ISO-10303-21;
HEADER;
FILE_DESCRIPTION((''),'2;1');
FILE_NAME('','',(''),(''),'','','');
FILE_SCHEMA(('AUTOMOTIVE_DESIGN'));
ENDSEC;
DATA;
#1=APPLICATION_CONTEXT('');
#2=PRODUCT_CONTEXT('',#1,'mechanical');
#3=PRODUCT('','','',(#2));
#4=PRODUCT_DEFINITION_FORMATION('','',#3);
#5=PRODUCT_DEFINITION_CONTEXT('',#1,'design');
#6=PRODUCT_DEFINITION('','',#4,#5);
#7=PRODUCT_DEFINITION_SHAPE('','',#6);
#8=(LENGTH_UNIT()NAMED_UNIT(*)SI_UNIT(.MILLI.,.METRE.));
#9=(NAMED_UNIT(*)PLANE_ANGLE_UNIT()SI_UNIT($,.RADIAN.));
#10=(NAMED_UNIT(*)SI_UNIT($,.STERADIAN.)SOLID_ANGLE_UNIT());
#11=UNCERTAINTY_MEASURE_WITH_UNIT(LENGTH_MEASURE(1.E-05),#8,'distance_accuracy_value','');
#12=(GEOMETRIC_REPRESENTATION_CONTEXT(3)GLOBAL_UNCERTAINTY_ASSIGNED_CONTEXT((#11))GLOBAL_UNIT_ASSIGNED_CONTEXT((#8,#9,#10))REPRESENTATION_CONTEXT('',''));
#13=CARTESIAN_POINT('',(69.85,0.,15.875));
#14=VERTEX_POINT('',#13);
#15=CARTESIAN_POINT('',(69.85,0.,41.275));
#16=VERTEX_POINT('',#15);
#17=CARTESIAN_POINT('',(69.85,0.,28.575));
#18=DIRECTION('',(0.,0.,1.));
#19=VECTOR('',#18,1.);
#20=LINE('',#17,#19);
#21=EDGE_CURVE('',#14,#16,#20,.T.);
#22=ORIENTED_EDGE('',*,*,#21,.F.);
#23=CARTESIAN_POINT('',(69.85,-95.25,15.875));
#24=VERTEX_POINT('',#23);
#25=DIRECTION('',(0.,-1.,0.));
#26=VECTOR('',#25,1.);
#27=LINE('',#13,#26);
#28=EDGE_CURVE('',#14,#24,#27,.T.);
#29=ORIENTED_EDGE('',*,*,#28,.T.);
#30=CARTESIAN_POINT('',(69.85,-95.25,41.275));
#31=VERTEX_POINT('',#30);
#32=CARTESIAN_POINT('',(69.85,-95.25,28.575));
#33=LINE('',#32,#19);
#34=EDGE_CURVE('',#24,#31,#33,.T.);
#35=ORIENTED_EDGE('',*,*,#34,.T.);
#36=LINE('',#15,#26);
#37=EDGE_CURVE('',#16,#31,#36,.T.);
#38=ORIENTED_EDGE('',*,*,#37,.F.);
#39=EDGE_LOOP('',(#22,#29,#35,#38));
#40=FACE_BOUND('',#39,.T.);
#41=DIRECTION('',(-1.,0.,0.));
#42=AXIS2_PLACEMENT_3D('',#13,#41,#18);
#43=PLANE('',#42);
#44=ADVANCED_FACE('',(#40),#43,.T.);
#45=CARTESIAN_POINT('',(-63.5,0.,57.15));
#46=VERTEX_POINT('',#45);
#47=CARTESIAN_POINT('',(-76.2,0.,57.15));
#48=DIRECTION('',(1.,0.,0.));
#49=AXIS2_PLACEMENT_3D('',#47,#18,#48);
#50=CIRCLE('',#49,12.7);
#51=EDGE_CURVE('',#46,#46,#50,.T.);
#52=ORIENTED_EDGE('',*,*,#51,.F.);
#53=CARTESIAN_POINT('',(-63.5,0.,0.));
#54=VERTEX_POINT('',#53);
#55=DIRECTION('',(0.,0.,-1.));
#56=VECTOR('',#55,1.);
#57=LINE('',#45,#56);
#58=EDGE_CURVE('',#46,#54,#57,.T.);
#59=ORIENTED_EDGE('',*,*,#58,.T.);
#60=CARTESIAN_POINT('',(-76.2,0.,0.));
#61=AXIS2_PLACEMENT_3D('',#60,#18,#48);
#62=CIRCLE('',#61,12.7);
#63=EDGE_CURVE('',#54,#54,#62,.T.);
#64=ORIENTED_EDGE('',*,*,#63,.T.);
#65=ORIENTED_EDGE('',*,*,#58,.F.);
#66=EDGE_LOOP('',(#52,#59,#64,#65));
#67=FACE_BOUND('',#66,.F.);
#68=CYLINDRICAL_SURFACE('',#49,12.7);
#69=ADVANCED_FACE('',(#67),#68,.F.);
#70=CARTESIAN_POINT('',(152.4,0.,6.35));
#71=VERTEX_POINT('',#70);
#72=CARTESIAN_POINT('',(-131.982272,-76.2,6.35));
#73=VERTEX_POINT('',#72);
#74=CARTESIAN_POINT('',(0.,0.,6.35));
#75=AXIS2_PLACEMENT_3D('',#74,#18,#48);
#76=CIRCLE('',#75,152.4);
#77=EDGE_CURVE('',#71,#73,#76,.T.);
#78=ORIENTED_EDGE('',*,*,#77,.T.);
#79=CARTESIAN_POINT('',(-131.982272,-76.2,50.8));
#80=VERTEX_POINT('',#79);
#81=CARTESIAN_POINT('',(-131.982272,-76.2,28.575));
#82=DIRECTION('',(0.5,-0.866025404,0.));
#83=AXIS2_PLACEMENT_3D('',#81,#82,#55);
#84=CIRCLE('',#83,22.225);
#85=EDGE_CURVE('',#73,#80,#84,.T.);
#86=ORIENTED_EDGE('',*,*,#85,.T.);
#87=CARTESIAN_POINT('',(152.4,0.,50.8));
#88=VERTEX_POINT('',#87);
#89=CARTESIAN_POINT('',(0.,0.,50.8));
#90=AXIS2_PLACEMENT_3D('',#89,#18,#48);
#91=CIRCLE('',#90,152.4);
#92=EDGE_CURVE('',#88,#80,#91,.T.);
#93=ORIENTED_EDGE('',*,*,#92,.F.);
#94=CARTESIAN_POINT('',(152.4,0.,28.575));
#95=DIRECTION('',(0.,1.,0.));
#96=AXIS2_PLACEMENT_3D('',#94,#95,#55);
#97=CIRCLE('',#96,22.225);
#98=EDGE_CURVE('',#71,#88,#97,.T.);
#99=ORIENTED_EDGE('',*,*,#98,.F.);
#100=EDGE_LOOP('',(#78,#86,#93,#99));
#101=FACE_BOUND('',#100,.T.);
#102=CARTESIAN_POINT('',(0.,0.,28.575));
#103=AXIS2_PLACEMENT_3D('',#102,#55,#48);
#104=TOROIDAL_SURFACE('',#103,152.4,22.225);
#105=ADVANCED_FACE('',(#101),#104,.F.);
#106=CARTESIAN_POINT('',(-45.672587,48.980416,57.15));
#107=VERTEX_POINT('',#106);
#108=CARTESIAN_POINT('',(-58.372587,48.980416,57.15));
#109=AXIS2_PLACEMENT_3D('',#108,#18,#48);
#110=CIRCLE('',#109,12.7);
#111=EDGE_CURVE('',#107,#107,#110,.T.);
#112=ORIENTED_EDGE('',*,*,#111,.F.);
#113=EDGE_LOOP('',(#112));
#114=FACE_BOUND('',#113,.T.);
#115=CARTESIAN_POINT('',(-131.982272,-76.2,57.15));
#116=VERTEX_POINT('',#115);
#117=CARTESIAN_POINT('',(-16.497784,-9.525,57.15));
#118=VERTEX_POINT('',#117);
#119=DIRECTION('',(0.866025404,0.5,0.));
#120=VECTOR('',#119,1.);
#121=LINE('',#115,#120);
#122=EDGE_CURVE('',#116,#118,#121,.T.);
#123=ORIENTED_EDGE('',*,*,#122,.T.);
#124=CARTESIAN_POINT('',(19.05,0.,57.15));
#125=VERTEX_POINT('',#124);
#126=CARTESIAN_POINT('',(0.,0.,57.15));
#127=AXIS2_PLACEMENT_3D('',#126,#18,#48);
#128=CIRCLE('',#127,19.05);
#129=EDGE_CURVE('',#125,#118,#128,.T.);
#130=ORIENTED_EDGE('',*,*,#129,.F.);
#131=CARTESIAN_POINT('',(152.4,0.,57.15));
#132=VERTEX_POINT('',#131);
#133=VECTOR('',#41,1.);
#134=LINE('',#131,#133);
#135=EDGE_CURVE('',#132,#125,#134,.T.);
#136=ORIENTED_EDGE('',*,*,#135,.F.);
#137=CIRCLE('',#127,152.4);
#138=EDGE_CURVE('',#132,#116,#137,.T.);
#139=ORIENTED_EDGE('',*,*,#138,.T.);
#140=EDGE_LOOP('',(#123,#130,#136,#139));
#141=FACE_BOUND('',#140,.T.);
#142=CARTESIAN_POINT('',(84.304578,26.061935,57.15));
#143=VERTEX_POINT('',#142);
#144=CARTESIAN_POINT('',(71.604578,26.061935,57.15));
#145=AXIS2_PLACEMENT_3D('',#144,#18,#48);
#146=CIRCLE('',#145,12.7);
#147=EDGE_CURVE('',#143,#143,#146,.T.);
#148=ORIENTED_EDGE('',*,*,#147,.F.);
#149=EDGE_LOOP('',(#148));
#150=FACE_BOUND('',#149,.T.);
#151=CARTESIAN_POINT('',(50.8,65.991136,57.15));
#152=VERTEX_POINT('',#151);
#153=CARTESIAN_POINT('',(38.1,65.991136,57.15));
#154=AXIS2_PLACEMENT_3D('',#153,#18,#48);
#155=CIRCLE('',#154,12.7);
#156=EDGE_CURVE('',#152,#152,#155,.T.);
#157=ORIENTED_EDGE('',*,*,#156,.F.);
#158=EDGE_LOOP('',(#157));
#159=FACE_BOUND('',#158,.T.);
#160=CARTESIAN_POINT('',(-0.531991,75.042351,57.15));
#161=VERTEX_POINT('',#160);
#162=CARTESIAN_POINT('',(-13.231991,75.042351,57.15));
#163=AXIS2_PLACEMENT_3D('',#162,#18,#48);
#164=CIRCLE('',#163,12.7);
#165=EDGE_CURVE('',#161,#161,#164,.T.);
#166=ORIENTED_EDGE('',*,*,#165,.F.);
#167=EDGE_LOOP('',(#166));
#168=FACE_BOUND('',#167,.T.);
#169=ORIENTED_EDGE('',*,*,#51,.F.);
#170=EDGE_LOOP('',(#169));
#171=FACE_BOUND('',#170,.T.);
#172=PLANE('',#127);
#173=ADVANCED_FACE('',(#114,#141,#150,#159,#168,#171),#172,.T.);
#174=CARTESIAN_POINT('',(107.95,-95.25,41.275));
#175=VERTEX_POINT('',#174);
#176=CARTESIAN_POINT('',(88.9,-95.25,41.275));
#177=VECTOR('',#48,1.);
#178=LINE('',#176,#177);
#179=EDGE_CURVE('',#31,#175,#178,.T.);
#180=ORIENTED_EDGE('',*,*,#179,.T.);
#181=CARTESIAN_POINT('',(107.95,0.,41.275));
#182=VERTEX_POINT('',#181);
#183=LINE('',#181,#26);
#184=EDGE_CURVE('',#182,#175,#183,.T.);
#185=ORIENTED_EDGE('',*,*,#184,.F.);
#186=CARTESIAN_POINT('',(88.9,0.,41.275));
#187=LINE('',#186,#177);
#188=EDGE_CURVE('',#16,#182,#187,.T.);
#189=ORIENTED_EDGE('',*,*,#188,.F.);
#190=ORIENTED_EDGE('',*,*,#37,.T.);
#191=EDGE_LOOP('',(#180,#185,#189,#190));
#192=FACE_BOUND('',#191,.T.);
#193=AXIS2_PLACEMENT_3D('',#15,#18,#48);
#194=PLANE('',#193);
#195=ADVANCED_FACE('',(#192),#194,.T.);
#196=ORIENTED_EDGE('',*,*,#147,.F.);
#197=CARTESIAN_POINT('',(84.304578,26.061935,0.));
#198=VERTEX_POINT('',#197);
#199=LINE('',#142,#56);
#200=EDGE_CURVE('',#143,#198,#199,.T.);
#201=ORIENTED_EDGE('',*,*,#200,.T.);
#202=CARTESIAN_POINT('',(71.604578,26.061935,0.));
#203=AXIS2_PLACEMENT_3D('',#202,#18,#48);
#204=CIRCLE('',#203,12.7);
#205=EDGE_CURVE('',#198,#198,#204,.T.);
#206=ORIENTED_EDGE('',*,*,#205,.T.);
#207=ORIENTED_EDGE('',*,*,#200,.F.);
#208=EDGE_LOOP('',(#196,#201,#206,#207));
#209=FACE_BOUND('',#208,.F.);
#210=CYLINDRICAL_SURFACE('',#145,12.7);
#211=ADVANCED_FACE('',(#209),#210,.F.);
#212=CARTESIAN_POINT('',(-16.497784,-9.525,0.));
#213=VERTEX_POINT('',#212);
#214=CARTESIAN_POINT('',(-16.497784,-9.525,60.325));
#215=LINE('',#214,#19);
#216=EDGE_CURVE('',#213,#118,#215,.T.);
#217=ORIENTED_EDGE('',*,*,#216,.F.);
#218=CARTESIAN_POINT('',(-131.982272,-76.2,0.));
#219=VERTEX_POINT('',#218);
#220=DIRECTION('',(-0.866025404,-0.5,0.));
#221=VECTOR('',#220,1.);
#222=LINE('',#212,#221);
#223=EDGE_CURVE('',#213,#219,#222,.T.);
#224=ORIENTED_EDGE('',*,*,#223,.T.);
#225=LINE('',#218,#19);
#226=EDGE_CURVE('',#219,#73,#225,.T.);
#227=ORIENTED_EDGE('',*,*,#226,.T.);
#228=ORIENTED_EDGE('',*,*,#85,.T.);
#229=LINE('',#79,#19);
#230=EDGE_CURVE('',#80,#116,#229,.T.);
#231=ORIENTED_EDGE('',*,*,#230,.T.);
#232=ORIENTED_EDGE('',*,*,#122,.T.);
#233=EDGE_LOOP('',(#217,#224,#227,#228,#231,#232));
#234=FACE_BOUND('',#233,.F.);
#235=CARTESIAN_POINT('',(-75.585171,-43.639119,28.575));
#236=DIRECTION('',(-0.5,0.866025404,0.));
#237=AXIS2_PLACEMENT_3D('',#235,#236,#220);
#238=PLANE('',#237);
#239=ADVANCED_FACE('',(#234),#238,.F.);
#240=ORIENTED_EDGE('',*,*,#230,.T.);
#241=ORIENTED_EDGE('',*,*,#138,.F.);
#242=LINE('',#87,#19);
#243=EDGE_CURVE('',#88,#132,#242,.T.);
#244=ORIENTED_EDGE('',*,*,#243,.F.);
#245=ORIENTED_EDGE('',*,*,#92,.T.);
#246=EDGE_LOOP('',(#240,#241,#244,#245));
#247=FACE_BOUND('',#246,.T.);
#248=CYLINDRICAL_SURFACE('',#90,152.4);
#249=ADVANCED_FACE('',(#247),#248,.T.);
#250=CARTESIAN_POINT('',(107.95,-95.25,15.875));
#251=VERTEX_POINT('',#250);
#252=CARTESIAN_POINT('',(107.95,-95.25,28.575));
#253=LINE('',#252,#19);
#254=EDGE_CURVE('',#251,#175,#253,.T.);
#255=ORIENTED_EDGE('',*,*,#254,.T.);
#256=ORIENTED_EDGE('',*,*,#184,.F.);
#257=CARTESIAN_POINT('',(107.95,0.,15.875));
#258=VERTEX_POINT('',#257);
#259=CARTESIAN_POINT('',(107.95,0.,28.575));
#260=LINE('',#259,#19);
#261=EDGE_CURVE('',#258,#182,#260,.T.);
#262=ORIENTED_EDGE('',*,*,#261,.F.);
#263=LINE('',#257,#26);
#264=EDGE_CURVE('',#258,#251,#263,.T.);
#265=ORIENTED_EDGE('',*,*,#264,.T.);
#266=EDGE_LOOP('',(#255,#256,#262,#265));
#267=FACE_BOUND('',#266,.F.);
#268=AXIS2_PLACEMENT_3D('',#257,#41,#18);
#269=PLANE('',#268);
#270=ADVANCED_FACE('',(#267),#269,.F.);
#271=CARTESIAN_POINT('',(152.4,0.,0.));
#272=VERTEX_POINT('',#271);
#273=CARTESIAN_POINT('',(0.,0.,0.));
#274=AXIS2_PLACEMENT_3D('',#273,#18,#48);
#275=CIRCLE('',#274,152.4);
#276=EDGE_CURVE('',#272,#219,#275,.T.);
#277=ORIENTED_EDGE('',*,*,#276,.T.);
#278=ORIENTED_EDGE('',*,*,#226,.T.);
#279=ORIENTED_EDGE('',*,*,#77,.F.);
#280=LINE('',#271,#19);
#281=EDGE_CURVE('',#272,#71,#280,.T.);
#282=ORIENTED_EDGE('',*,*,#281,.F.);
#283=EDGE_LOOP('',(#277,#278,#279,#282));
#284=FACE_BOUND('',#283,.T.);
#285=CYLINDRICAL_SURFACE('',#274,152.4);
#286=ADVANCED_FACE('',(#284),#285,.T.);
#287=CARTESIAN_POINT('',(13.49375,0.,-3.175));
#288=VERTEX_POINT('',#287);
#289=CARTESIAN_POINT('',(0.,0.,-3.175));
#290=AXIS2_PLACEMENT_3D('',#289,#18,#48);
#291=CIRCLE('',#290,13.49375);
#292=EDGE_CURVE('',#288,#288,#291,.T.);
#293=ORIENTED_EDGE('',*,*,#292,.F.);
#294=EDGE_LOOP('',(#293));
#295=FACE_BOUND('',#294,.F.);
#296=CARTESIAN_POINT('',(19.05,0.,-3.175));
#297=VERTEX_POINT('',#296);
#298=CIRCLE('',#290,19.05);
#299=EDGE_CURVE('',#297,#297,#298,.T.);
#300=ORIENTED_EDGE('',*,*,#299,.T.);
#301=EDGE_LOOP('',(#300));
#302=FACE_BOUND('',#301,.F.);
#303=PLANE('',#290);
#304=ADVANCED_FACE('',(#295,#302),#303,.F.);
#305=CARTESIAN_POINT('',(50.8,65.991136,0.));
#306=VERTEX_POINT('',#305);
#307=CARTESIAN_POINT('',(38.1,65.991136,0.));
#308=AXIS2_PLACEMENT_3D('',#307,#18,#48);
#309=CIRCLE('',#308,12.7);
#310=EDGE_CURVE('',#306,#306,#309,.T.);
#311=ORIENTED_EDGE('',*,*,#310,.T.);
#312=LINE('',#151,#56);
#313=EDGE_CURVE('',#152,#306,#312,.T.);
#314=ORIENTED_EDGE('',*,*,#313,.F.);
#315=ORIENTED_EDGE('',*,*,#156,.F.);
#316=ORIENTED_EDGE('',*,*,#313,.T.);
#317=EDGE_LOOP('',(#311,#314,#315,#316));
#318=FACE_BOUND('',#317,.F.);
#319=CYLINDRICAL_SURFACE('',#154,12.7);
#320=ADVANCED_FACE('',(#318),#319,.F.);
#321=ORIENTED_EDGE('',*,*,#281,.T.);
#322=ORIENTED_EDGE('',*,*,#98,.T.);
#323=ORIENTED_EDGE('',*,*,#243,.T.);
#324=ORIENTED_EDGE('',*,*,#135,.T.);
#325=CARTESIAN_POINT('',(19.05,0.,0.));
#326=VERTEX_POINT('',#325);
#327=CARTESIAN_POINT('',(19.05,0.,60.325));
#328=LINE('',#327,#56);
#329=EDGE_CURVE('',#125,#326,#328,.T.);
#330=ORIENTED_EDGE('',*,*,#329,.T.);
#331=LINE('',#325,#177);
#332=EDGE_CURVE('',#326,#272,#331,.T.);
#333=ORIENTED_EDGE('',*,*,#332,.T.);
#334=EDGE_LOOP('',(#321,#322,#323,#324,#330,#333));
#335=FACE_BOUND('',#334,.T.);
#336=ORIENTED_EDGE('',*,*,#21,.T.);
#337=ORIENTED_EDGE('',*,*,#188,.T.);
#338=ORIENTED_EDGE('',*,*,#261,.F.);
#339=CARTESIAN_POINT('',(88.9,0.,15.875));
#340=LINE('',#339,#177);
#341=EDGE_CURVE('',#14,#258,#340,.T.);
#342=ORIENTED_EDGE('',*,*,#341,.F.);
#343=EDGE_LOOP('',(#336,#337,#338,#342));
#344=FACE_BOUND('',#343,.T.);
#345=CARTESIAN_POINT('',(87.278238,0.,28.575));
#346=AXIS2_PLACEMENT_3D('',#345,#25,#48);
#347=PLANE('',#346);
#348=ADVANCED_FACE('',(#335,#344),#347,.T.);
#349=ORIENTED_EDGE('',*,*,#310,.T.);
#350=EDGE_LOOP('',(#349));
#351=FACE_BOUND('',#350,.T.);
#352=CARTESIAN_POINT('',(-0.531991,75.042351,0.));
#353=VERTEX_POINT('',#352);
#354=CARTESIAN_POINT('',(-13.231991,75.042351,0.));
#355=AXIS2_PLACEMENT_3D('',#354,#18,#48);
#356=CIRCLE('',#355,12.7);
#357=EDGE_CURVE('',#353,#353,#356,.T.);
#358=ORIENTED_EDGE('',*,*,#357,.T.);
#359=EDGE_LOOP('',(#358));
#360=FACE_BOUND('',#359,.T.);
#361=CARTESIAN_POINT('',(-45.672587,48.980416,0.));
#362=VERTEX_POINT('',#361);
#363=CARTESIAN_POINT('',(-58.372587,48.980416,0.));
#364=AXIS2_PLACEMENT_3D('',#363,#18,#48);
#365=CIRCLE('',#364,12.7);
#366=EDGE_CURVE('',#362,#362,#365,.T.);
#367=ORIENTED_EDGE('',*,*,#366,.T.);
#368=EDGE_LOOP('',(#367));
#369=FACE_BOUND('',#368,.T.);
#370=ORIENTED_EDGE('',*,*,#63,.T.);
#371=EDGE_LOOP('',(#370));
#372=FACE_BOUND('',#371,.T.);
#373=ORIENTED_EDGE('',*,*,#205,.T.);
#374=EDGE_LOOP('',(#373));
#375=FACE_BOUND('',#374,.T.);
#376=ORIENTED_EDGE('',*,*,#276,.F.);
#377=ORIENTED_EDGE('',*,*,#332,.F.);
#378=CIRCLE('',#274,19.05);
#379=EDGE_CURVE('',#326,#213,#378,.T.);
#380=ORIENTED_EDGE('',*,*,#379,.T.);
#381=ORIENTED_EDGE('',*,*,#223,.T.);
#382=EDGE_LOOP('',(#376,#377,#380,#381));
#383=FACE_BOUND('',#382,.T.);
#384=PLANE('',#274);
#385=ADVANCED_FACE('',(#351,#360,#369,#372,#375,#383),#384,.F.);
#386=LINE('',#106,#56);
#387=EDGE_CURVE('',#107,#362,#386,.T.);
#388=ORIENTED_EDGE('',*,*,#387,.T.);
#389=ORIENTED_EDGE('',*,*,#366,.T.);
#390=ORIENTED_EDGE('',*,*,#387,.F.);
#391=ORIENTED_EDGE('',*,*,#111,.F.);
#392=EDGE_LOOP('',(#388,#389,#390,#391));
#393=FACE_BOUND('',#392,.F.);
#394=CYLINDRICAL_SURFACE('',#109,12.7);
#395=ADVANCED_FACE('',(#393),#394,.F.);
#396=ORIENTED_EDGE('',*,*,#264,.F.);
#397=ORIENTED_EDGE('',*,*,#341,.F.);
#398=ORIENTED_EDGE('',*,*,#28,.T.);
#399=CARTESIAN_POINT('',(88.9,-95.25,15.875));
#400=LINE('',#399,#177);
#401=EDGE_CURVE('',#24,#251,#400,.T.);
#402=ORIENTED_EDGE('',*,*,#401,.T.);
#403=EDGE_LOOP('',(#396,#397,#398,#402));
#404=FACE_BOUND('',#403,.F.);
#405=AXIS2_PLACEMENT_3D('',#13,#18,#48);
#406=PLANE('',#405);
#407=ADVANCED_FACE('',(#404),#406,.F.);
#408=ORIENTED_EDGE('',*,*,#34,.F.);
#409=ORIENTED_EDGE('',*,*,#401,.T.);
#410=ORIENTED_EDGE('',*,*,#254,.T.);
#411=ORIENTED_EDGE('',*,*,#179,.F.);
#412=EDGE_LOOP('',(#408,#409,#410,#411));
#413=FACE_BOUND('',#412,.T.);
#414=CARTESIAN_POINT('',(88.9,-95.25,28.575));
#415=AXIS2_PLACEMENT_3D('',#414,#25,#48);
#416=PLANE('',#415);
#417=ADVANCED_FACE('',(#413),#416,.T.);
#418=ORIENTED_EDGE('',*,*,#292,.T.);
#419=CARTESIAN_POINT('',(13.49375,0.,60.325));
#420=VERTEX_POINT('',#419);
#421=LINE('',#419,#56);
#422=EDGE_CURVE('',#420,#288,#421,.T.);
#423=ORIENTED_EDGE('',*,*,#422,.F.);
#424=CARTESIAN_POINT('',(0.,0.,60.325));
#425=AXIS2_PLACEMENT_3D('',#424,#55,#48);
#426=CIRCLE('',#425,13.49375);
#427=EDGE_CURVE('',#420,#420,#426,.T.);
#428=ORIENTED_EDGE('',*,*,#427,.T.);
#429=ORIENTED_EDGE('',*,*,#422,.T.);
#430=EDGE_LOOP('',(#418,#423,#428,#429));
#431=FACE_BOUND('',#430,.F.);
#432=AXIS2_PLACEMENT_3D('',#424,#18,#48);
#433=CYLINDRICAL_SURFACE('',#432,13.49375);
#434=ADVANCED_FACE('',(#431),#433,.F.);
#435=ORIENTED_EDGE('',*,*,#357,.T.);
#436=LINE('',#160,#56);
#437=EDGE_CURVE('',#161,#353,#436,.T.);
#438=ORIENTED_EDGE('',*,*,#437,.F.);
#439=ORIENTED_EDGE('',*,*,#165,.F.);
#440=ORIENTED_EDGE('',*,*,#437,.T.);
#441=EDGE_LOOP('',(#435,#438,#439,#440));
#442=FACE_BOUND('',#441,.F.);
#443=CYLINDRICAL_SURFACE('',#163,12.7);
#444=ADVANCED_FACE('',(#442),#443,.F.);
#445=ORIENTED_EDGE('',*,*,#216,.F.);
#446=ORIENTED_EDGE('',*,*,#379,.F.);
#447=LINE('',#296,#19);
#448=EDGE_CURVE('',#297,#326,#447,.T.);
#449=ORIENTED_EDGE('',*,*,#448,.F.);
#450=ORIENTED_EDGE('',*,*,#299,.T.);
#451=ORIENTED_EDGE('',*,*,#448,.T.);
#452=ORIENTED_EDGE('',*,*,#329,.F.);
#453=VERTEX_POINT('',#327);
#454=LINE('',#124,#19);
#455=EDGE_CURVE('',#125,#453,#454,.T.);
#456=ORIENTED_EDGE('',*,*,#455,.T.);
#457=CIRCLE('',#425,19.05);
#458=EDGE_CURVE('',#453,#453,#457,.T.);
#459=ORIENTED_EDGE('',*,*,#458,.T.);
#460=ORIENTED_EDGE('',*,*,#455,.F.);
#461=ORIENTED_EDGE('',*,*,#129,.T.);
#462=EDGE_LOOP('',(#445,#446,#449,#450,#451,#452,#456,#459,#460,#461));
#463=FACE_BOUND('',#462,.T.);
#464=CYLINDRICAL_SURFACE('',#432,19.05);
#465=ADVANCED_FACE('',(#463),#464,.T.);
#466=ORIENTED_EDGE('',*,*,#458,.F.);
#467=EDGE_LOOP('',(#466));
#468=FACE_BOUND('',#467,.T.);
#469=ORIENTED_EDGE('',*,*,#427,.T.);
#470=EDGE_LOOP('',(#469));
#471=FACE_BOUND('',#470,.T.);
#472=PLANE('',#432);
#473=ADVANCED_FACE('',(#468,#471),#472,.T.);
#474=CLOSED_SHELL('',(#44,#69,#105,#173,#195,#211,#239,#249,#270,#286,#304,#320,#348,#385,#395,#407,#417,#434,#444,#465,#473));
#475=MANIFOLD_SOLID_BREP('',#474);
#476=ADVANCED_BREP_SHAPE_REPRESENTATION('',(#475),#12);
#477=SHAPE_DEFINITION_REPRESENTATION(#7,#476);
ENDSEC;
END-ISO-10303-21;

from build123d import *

# Parameters (mm, degrees)
F1_ANGLE = 210
F2_R     = 13.49375
F3_DEPTH = 69.85
F4_R     = 12.7
F5_DEPTH = 63.5
F6_W     = 38.1
F6_H     = 25.4
F7_DEPTH = 95.25
F8_R     = 19.05
F8_R_2   = 13.49375
F9_DEPTH = 63.5


with BuildPart() as f1:
    # F0 (on Front) → F1 (revolve)
    with BuildSketch(Plane.XZ):
        with BuildLine():
            Line((19.05, 57.15), (19.05, 0))
            Line((19.05, 0), (152.4, 0))
            Line((152.4, 0), (152.4, 6.35))
            ThreePointArc((152.4, 6.35), (130.175, 28.575), (152.4, 50.8))
            Line((152.4, 50.8), (152.4, 57.15))
            Line((152.4, 57.15), (19.05, 57.15))
        make_face()
        Polygon((19.05, -3.175), (19.05, 0), (19.05, 57.15), (19.05, 60.325), (0, 60.325), (0, 57.15), (0, 0), (0, -3.175), align=None)
    revolve(axis=Axis((0, 0, 28.575), (0, 0, 1)), revolution_arc=F1_ANGLE)

    # F2 (on face) → F3 (cut)
    with BuildSketch(Plane.XY.offset(60.325)):
        Circle(F2_R)
    extrude(amount=-F3_DEPTH, mode=Mode.SUBTRACT)

    # F4 (on face) → F5 (cut)
    with BuildSketch(Plane.XY.offset(57.15)):
        with Locations((-76.2, 0)):
            Circle(F4_R)
        with Locations((-58.372587, 48.980416)):
            Circle(F4_R)
        with Locations((-13.231991, 75.042351)):
            Circle(F4_R)
        with Locations((38.1, 65.991136)):
            Circle(F4_R)
        with Locations((71.604578, 26.061935)):
            Circle(F4_R)
    extrude(amount=-F5_DEPTH, mode=Mode.SUBTRACT)

    # F6 (on face) → F7 (join)
    with BuildSketch(Plane.XZ):
        with Locations((88.9, 28.575)):
            Rectangle(F6_W, F6_H)
    extrude(amount=F7_DEPTH)

    # F8 (on face) → F9 (join)
    with BuildSketch(Plane.XY.offset(60.325)):
        Circle(F8_R)
        Circle(F8_R_2, mode=Mode.SUBTRACT)
    extrude(amount=-F9_DEPTH)


solid = f1.part
